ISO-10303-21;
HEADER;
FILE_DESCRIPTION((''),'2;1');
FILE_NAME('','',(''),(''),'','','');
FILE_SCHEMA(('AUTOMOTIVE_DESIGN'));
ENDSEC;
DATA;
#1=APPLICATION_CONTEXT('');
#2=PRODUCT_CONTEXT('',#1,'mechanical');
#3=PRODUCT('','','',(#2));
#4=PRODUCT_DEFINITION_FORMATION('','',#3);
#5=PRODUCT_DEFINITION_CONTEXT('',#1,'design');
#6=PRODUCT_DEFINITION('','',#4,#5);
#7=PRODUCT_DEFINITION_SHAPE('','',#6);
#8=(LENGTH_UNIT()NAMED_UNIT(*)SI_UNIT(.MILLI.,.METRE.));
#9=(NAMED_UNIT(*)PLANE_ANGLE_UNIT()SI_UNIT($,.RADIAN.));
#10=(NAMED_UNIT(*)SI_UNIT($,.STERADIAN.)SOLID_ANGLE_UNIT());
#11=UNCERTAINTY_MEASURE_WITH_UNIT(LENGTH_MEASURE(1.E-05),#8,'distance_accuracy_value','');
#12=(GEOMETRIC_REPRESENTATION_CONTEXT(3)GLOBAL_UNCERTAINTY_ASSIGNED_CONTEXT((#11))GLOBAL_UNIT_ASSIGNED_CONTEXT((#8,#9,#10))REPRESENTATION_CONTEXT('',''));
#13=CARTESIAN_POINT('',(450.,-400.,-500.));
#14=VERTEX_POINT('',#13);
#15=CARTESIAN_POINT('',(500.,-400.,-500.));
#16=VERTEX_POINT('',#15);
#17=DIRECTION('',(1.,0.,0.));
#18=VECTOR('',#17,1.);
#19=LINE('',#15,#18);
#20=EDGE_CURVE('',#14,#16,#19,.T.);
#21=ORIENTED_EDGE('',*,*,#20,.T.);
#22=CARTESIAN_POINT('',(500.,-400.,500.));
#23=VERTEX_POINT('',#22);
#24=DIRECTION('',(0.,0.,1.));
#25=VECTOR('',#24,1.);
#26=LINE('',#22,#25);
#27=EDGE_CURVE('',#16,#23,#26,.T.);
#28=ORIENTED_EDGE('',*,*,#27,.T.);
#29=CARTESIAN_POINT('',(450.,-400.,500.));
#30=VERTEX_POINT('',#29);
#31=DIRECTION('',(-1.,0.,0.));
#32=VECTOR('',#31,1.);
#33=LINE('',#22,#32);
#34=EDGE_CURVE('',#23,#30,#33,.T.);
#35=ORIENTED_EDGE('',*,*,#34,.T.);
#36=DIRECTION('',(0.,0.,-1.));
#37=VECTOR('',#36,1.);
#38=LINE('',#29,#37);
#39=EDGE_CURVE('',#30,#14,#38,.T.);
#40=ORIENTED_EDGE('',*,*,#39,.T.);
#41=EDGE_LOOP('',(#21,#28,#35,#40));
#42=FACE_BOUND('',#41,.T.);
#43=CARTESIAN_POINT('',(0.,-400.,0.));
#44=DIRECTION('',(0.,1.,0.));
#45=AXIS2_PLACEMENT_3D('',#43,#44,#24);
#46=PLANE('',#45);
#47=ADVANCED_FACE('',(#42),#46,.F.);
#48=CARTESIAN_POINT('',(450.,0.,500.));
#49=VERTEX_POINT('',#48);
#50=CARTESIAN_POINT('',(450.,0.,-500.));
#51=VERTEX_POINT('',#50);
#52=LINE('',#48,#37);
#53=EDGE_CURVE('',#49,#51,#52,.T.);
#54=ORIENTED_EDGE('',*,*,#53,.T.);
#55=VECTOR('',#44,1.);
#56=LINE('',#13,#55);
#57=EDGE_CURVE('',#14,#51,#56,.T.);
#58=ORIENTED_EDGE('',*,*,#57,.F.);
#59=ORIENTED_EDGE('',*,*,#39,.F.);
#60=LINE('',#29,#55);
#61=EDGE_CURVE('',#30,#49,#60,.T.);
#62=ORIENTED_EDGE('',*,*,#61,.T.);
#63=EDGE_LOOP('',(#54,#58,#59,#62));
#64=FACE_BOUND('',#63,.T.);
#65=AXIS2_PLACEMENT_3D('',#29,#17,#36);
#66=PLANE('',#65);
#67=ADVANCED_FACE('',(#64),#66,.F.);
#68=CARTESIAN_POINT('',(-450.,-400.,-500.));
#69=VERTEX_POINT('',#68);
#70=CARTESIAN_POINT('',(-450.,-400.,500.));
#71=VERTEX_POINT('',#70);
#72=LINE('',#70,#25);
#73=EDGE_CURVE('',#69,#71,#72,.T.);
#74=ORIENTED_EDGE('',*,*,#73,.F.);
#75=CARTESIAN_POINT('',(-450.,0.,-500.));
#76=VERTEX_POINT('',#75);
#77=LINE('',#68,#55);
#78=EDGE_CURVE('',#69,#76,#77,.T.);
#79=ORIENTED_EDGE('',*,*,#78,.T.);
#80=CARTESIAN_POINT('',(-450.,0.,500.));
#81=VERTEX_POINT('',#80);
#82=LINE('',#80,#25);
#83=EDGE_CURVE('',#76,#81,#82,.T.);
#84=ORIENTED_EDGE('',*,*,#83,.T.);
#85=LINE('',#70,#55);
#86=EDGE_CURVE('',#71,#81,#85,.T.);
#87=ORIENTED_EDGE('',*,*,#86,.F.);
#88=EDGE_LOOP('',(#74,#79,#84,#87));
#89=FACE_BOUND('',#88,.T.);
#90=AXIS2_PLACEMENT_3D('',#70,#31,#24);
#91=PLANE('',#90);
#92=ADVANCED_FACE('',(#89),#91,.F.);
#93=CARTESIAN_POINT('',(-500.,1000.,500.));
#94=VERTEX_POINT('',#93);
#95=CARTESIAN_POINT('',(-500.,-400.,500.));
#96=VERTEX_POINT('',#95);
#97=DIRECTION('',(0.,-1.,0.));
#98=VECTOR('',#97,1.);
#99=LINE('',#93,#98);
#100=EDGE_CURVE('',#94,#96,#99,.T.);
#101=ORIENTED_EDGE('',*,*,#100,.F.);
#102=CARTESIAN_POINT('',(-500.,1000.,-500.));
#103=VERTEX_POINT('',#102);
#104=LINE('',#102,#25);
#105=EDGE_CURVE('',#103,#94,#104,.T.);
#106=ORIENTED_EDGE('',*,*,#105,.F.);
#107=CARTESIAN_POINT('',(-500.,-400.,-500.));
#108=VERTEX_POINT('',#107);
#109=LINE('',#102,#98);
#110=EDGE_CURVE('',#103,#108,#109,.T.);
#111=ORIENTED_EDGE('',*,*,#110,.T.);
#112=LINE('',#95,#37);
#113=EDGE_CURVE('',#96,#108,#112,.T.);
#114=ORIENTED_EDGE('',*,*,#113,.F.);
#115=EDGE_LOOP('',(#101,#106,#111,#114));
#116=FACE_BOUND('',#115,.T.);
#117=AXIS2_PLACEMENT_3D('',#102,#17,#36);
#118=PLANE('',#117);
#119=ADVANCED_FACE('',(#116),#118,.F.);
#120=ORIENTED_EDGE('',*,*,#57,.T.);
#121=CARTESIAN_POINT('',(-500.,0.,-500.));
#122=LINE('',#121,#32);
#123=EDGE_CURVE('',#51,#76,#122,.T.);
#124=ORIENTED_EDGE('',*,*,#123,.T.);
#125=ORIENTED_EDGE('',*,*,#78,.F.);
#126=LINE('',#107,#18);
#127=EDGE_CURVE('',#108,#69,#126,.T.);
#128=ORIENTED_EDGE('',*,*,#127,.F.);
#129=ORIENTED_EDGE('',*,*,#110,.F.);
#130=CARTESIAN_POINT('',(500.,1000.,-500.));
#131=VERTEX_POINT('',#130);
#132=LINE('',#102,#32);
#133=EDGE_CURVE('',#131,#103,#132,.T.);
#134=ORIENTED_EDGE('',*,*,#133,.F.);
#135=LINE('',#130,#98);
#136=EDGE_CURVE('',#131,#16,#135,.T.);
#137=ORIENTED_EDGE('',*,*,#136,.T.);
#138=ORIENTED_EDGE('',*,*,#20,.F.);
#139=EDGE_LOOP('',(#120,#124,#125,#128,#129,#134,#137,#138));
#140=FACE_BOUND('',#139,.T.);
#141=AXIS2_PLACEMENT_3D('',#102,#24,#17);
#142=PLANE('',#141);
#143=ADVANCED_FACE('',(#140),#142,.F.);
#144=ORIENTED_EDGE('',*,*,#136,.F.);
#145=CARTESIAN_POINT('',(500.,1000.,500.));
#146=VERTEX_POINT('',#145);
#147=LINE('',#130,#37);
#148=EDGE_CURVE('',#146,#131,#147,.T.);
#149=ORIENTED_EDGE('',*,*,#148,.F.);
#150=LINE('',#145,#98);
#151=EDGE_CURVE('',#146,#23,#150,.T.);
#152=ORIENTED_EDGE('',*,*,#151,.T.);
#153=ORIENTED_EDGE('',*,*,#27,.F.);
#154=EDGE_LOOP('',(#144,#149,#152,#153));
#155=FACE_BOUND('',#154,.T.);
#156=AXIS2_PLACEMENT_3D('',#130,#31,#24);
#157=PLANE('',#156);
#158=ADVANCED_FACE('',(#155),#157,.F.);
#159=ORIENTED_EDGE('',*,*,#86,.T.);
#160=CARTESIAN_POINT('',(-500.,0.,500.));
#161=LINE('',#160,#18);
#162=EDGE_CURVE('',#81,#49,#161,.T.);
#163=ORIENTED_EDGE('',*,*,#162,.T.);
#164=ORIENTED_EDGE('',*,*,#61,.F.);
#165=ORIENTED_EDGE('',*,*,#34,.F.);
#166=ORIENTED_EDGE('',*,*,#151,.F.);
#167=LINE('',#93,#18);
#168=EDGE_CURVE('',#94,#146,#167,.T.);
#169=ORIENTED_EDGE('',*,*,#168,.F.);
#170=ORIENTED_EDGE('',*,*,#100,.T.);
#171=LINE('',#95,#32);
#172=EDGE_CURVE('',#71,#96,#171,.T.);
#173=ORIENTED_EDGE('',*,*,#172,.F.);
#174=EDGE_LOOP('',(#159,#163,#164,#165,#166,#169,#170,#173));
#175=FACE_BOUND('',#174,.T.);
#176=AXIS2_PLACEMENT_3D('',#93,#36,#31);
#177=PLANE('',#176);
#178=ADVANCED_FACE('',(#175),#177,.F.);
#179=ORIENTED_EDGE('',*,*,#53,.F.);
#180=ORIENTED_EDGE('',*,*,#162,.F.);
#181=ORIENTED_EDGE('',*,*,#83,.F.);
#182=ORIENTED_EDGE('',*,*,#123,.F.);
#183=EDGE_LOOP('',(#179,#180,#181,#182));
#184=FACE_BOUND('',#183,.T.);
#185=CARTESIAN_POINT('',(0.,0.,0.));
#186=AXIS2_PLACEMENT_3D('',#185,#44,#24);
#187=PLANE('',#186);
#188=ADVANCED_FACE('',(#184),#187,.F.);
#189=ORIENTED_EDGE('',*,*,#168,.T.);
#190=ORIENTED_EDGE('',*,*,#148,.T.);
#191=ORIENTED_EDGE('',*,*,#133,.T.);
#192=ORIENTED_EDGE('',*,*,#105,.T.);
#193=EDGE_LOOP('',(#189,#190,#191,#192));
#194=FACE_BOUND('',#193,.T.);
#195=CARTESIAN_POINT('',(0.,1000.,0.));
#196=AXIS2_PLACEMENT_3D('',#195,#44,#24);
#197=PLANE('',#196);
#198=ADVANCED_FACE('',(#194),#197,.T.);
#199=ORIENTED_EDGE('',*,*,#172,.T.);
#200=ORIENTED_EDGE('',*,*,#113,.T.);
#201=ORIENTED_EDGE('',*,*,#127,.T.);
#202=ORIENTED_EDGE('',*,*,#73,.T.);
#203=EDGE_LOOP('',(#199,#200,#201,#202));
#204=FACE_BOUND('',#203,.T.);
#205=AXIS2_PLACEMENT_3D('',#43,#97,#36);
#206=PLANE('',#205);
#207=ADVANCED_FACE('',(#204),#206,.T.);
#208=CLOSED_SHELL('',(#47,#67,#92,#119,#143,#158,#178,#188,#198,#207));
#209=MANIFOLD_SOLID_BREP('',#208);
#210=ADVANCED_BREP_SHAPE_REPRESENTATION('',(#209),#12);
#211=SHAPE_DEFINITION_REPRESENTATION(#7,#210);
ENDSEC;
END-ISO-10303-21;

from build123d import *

# Parameters (mm, degrees)
SKETCH1_W           = 1000
SKETCH1_H           = 1000
BOSS_EXTRUDE1_DEPTH = 1000
SKETCH2_W           = 50
SKETCH2_H           = 1000
BOSS_EXTRUDE2_DEPTH = 400


with BuildPart() as part:
    # Sketch1 → Boss-Extrude1 (new body)
    with BuildSketch(Plane(origin=(0, 0, 0), x_dir=(1, 0, 0), z_dir=(0, 1, 0))):
        Rectangle(SKETCH1_W, SKETCH1_H)
    extrude(amount=BOSS_EXTRUDE1_DEPTH)

    # Sketch2 → Boss-Extrude2 (add)
    with BuildSketch(Plane.XZ):
        with Locations((-475, 0)):
            Rectangle(SKETCH2_W, SKETCH2_H)
        with Locations((475, 0)):
            Rectangle(SKETCH2_W, SKETCH2_H)
    extrude(amount=BOSS_EXTRUDE2_DEPTH)


solid = part.part
